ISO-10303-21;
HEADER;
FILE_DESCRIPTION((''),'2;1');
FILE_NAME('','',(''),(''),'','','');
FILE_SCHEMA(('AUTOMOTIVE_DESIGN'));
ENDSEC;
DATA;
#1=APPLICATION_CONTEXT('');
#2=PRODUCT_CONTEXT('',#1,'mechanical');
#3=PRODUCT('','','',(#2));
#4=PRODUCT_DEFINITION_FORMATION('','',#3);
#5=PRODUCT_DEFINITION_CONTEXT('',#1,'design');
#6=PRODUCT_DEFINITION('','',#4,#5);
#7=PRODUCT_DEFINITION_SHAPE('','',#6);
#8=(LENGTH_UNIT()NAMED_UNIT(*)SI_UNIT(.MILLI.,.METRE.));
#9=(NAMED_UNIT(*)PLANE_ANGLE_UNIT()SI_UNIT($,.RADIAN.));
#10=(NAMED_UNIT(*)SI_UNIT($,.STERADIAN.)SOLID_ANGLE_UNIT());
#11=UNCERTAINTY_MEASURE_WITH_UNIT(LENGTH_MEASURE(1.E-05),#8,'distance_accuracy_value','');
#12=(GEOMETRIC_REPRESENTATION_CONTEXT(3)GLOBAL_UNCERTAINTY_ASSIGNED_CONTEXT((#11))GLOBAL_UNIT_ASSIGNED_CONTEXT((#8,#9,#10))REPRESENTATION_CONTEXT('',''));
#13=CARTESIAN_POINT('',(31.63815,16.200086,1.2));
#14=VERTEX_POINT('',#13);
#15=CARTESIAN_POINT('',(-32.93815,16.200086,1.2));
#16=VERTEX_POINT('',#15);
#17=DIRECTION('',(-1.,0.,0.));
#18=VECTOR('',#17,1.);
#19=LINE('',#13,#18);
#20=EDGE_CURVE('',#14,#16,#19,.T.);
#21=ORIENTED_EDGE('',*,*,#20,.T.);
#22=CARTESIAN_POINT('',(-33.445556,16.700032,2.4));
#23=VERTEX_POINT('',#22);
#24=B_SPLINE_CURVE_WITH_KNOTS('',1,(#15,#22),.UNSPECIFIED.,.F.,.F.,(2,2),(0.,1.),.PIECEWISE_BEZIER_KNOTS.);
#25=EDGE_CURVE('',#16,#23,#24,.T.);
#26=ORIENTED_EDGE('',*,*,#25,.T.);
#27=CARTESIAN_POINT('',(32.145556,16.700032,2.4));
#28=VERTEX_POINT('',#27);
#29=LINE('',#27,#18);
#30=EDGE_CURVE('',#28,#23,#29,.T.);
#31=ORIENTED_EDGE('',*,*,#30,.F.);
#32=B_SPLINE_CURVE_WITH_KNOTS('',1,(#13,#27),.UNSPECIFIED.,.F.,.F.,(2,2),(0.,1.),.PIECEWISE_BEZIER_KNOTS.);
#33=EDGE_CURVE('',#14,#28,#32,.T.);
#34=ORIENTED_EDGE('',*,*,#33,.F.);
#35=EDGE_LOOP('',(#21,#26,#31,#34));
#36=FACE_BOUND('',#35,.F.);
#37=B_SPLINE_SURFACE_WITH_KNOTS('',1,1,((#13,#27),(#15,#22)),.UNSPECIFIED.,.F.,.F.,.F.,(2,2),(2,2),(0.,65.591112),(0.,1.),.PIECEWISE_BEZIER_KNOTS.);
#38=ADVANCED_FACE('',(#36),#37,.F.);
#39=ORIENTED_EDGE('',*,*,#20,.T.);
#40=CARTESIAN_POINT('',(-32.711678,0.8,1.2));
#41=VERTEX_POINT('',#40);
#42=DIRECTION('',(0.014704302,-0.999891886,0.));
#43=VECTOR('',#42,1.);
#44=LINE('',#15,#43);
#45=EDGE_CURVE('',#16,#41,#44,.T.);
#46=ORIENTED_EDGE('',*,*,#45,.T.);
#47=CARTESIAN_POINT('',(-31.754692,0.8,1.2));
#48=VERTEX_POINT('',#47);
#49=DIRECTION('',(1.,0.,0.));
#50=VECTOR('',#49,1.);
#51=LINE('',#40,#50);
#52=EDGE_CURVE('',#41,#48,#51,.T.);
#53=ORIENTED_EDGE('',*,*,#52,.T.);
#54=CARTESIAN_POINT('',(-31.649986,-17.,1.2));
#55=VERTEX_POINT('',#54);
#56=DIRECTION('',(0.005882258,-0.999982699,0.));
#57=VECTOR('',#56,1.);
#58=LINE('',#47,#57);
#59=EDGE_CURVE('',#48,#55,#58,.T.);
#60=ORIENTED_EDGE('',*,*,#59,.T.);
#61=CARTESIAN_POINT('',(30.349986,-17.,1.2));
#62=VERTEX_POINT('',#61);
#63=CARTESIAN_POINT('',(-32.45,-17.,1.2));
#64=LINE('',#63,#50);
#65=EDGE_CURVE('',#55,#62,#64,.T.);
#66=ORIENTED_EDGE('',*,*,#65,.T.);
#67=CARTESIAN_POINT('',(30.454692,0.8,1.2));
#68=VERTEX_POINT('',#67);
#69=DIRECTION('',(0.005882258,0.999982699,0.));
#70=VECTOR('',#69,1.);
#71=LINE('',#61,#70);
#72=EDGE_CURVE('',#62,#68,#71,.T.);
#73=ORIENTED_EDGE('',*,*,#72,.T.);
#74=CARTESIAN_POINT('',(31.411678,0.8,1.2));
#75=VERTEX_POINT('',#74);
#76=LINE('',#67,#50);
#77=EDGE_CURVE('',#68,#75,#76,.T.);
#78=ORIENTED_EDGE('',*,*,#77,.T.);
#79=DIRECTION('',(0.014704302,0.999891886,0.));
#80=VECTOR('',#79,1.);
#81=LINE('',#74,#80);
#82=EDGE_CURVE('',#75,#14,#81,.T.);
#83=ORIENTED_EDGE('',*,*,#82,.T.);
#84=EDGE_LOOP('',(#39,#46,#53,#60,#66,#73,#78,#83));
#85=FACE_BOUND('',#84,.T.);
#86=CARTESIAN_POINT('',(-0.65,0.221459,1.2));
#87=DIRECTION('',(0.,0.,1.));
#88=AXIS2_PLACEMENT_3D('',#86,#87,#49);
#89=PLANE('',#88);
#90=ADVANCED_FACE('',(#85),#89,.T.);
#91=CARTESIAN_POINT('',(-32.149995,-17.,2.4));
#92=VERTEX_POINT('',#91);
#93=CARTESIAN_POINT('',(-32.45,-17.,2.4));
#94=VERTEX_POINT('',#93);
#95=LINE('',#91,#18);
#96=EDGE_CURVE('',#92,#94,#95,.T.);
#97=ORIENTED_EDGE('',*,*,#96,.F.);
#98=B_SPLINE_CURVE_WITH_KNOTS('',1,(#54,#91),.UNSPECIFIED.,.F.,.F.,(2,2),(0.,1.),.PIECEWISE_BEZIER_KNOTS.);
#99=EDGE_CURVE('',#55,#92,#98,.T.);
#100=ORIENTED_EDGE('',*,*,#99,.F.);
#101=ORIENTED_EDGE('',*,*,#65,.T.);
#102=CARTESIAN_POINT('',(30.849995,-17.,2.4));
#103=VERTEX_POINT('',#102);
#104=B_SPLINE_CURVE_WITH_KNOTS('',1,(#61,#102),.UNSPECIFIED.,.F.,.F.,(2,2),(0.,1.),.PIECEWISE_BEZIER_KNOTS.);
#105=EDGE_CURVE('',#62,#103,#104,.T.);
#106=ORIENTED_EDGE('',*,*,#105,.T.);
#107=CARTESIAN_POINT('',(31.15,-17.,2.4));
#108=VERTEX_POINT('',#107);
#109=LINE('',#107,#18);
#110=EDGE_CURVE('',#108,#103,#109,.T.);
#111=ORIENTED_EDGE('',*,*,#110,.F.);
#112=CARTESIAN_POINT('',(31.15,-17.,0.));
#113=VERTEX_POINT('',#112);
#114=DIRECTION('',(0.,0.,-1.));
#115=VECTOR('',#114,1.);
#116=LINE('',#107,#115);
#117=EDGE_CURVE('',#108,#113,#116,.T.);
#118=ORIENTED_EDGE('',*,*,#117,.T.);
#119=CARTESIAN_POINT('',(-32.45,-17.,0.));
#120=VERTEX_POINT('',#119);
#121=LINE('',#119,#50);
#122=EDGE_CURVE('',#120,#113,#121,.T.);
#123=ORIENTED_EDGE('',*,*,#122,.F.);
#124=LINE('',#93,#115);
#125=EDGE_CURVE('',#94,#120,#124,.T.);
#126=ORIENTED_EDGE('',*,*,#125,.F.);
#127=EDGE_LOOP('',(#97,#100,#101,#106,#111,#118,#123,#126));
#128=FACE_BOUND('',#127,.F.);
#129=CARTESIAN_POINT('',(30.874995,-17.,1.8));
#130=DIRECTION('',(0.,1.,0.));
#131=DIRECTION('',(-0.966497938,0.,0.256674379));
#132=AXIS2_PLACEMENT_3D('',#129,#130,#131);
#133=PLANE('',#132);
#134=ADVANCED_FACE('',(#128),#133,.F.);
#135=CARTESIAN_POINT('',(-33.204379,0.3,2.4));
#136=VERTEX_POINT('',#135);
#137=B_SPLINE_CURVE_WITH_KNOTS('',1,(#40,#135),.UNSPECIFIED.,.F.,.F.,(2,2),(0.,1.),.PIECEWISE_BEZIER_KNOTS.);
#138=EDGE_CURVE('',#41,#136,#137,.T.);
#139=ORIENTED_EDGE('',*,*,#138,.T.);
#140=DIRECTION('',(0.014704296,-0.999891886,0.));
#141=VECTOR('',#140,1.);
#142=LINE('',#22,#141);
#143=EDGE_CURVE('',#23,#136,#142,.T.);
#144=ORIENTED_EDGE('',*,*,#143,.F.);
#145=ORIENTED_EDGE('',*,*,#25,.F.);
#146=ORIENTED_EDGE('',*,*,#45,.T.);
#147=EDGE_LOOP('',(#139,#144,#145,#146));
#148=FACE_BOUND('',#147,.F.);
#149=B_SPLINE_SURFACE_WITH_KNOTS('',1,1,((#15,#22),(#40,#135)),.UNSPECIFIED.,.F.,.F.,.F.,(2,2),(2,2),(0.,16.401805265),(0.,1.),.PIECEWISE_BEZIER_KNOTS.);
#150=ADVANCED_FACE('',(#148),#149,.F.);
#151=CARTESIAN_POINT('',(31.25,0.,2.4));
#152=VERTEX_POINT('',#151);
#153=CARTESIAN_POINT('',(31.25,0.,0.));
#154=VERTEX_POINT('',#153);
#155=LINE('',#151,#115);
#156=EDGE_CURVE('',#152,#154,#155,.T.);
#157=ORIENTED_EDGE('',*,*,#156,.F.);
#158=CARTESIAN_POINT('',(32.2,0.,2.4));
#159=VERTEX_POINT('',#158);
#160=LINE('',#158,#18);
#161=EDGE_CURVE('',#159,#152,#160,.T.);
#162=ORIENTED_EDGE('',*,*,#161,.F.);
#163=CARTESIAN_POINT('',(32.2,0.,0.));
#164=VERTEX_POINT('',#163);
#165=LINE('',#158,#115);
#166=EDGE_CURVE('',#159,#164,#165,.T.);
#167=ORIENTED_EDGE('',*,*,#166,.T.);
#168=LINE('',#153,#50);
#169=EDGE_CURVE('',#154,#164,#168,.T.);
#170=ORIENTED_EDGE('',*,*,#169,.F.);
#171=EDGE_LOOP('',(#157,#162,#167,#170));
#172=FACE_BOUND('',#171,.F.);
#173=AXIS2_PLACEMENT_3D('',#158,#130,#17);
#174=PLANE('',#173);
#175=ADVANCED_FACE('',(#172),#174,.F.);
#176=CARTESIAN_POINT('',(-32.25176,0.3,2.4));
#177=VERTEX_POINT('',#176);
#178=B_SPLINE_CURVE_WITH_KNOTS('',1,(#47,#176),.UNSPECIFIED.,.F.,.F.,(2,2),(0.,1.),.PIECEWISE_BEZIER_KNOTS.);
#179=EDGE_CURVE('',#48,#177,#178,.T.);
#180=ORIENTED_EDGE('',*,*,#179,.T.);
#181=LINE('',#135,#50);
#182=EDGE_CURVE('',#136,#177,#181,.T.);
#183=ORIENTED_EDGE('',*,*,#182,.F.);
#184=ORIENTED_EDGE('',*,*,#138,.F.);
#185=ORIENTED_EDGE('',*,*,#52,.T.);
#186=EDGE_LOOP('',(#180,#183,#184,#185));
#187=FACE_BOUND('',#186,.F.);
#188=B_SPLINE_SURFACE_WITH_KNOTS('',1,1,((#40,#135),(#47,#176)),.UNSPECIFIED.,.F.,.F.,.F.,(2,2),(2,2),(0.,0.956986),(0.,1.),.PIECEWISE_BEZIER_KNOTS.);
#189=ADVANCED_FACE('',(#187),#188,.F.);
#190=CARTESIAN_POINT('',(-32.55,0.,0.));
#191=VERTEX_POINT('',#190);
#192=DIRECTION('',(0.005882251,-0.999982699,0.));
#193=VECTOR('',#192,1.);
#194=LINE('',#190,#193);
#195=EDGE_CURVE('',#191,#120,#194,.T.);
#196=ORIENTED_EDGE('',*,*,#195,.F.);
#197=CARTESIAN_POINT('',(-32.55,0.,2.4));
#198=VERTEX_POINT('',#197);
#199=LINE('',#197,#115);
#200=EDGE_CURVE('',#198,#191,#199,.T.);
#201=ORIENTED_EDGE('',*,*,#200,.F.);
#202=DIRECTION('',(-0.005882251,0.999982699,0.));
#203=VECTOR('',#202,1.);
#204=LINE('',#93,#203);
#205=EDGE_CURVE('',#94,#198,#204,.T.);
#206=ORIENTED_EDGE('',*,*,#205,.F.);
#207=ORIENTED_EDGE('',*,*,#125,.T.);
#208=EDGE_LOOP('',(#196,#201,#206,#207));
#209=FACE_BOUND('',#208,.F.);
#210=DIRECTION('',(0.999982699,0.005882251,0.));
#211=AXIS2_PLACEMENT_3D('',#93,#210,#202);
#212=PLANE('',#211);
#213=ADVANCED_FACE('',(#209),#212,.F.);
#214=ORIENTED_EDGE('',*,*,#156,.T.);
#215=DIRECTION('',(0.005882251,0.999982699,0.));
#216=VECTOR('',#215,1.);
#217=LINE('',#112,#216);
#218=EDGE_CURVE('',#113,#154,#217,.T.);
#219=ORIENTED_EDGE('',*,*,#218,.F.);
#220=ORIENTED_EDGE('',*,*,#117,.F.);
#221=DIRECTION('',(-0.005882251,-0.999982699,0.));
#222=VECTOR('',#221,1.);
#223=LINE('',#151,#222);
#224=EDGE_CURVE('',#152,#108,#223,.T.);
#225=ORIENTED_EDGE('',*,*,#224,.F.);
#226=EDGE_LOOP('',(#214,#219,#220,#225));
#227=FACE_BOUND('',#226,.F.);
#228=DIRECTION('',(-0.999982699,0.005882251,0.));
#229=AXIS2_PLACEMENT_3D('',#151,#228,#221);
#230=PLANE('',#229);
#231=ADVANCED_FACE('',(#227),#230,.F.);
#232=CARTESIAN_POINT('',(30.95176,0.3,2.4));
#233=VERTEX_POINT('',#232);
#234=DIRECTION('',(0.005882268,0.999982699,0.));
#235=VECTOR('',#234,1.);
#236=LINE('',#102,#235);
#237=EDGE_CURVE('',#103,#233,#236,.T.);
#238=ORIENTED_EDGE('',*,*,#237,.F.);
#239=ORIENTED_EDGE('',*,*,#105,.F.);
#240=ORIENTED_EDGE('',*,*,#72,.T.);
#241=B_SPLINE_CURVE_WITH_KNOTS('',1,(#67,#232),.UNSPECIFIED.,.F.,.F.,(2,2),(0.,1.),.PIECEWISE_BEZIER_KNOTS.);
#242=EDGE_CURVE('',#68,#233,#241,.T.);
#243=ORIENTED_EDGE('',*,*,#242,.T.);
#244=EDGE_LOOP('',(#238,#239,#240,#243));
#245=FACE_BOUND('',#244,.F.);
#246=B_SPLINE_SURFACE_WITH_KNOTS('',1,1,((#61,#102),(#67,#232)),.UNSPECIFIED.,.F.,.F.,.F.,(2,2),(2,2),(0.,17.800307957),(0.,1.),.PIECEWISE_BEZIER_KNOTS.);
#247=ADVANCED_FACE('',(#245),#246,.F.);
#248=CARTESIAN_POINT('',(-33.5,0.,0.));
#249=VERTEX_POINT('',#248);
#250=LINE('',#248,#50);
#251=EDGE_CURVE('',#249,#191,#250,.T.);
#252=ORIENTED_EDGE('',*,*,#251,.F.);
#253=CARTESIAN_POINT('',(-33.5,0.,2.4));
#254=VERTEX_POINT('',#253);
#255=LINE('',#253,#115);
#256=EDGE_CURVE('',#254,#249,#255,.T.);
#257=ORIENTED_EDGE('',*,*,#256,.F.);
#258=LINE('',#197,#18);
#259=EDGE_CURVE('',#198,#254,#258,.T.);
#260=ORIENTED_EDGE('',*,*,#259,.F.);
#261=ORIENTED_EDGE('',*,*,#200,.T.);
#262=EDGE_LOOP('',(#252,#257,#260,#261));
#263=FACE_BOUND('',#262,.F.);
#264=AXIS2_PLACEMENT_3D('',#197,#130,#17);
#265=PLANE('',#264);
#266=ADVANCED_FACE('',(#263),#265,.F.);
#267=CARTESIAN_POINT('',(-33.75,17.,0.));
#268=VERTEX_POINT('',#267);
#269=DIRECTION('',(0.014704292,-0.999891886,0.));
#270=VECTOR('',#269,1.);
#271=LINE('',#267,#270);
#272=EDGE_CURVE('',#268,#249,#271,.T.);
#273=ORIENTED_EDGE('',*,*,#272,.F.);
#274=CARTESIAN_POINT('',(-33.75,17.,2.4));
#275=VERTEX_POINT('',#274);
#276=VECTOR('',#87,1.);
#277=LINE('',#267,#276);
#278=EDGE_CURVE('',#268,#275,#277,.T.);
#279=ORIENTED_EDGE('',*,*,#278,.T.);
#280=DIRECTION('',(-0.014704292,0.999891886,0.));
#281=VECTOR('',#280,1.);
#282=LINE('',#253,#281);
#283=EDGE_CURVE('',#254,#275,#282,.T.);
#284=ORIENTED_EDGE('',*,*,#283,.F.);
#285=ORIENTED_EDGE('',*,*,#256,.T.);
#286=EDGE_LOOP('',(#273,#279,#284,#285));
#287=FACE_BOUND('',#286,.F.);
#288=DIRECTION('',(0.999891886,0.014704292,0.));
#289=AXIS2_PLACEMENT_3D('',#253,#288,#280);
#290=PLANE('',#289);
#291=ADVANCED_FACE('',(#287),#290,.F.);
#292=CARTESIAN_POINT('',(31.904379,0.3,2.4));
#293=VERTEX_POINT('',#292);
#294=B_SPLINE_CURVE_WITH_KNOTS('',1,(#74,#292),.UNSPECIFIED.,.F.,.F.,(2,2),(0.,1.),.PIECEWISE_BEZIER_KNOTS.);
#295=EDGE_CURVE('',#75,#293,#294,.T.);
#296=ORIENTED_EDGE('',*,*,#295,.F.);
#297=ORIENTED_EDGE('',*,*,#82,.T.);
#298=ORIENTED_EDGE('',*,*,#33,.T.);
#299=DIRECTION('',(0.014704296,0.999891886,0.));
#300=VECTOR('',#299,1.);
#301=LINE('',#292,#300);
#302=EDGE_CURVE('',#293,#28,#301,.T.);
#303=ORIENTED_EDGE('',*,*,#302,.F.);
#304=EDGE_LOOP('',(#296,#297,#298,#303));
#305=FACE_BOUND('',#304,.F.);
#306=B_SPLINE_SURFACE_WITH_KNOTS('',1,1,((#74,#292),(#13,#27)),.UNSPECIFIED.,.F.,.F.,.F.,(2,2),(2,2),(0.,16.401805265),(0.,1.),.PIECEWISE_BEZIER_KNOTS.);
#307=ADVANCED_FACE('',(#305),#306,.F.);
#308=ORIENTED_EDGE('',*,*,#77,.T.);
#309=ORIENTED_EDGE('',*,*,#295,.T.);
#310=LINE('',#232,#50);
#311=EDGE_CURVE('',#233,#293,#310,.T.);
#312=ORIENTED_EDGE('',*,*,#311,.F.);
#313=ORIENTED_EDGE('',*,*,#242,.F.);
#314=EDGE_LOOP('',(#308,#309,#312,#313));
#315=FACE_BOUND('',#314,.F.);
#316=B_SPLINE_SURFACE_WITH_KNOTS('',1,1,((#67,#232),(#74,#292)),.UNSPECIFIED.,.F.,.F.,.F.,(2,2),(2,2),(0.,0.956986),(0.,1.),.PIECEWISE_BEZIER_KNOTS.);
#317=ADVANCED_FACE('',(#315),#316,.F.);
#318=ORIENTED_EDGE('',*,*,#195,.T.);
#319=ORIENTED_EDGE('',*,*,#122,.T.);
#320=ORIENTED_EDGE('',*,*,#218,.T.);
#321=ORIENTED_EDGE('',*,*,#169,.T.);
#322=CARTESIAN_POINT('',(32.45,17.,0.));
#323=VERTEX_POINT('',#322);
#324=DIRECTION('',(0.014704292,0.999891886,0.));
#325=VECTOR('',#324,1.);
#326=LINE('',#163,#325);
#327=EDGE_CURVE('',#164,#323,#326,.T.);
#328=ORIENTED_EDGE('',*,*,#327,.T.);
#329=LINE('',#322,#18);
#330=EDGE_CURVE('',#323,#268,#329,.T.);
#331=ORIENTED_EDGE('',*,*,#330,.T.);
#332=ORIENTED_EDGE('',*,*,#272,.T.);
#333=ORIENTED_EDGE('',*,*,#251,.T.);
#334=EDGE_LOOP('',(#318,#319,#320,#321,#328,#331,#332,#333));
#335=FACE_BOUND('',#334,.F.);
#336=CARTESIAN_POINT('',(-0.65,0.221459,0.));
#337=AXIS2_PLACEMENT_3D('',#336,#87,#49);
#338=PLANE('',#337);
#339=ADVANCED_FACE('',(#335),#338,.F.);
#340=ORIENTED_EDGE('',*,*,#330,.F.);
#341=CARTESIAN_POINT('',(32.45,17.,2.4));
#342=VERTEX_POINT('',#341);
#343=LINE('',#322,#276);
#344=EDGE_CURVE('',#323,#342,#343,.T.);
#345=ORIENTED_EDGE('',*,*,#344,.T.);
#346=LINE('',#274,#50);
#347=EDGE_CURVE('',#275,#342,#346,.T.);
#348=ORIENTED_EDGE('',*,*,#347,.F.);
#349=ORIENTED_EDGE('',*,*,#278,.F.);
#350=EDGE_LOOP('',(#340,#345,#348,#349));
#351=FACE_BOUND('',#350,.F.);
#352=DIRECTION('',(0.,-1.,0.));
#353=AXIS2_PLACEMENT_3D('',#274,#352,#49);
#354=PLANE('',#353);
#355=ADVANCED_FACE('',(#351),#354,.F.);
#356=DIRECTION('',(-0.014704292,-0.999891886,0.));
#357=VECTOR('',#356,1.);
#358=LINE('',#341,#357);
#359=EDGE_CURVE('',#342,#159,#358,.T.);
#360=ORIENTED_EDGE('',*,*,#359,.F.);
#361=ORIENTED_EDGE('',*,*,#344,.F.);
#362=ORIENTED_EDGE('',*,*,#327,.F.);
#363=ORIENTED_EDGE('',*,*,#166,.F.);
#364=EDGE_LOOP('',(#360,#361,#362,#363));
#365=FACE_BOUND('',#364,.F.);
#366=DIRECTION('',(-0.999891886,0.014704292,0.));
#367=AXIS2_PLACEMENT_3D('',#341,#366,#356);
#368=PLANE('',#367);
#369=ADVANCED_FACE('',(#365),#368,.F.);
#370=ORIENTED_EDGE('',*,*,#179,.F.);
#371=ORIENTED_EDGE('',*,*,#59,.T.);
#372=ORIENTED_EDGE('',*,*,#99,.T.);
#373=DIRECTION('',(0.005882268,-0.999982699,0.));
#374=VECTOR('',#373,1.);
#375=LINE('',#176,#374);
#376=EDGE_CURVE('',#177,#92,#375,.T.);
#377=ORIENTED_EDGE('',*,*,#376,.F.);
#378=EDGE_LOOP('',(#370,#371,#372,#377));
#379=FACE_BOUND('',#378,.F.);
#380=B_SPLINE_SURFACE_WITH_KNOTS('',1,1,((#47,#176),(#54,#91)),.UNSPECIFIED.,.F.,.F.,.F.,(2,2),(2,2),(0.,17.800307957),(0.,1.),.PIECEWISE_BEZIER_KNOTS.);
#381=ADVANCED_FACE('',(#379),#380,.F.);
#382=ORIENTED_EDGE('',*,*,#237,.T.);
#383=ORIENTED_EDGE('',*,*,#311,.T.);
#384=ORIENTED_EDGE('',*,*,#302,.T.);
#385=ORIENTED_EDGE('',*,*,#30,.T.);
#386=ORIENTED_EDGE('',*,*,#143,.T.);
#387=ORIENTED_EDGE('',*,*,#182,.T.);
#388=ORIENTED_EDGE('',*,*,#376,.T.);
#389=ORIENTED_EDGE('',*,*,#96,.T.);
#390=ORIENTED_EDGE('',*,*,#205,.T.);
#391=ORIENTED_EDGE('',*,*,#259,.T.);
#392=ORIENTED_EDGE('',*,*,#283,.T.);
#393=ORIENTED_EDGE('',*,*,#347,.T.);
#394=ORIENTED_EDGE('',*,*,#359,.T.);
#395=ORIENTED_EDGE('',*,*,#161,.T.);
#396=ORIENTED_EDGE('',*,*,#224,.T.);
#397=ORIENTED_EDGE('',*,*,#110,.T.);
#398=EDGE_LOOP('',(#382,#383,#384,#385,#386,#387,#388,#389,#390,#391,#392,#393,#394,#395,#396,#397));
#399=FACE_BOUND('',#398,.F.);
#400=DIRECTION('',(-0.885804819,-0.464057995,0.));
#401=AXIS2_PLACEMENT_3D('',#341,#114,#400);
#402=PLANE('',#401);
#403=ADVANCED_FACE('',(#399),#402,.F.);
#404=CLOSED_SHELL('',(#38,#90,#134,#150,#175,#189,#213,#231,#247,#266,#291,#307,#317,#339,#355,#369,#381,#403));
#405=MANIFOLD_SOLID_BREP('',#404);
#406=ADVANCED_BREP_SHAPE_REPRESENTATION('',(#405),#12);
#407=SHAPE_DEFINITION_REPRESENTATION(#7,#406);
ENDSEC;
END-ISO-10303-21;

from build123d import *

# Parameters (mm, degrees)
PAD_DEPTH = 1.2


with BuildPart() as part:
    # Sketch → Pad (new body)
    with BuildSketch(Plane.XY):
        Polygon((-32.45, -17), (31.15, -17), (31.25, 0), (32.2, 0), (32.45, 17), (-33.75, 17), (-33.5, 0), (-32.55, 0), align=None)
    extrude(amount=PAD_DEPTH)

    # Sketch001 → AdditiveLoft section 0
    with BuildSketch(Plane.XY.offset(1.2)):
        Polygon((32.45, 17), (32.2, 0), (31.25, 0), (31.15, -17), (30.349986, -17), (30.454692, 0.8), (31.411678, 0.8), (31.63815, 16.200086), (-32.93815, 16.200086), (-32.711678, 0.8), (-31.754692, 0.8), (-31.649986, -17), (-32.45, -17), (-32.55, 0), (-33.5, 0), (-33.75, 17), align=None)
    # Sketch002 → AdditiveLoft section 1
    with BuildSketch(Plane.XY.offset(2.4)):
        Polygon((32.45, 17), (32.2, 0), (31.25, 0), (31.15, -17), (30.849995, -17), (30.95176, 0.3), (31.904379, 0.3), (32.145556, 16.700032), (-33.445556, 16.700032), (-33.204379, 0.3), (-32.25176, 0.3), (-32.149995, -17), (-32.45, -17), (-32.55, 0), (-33.5, 0), (-33.75, 17), align=None)
    loft()


solid = part.part
